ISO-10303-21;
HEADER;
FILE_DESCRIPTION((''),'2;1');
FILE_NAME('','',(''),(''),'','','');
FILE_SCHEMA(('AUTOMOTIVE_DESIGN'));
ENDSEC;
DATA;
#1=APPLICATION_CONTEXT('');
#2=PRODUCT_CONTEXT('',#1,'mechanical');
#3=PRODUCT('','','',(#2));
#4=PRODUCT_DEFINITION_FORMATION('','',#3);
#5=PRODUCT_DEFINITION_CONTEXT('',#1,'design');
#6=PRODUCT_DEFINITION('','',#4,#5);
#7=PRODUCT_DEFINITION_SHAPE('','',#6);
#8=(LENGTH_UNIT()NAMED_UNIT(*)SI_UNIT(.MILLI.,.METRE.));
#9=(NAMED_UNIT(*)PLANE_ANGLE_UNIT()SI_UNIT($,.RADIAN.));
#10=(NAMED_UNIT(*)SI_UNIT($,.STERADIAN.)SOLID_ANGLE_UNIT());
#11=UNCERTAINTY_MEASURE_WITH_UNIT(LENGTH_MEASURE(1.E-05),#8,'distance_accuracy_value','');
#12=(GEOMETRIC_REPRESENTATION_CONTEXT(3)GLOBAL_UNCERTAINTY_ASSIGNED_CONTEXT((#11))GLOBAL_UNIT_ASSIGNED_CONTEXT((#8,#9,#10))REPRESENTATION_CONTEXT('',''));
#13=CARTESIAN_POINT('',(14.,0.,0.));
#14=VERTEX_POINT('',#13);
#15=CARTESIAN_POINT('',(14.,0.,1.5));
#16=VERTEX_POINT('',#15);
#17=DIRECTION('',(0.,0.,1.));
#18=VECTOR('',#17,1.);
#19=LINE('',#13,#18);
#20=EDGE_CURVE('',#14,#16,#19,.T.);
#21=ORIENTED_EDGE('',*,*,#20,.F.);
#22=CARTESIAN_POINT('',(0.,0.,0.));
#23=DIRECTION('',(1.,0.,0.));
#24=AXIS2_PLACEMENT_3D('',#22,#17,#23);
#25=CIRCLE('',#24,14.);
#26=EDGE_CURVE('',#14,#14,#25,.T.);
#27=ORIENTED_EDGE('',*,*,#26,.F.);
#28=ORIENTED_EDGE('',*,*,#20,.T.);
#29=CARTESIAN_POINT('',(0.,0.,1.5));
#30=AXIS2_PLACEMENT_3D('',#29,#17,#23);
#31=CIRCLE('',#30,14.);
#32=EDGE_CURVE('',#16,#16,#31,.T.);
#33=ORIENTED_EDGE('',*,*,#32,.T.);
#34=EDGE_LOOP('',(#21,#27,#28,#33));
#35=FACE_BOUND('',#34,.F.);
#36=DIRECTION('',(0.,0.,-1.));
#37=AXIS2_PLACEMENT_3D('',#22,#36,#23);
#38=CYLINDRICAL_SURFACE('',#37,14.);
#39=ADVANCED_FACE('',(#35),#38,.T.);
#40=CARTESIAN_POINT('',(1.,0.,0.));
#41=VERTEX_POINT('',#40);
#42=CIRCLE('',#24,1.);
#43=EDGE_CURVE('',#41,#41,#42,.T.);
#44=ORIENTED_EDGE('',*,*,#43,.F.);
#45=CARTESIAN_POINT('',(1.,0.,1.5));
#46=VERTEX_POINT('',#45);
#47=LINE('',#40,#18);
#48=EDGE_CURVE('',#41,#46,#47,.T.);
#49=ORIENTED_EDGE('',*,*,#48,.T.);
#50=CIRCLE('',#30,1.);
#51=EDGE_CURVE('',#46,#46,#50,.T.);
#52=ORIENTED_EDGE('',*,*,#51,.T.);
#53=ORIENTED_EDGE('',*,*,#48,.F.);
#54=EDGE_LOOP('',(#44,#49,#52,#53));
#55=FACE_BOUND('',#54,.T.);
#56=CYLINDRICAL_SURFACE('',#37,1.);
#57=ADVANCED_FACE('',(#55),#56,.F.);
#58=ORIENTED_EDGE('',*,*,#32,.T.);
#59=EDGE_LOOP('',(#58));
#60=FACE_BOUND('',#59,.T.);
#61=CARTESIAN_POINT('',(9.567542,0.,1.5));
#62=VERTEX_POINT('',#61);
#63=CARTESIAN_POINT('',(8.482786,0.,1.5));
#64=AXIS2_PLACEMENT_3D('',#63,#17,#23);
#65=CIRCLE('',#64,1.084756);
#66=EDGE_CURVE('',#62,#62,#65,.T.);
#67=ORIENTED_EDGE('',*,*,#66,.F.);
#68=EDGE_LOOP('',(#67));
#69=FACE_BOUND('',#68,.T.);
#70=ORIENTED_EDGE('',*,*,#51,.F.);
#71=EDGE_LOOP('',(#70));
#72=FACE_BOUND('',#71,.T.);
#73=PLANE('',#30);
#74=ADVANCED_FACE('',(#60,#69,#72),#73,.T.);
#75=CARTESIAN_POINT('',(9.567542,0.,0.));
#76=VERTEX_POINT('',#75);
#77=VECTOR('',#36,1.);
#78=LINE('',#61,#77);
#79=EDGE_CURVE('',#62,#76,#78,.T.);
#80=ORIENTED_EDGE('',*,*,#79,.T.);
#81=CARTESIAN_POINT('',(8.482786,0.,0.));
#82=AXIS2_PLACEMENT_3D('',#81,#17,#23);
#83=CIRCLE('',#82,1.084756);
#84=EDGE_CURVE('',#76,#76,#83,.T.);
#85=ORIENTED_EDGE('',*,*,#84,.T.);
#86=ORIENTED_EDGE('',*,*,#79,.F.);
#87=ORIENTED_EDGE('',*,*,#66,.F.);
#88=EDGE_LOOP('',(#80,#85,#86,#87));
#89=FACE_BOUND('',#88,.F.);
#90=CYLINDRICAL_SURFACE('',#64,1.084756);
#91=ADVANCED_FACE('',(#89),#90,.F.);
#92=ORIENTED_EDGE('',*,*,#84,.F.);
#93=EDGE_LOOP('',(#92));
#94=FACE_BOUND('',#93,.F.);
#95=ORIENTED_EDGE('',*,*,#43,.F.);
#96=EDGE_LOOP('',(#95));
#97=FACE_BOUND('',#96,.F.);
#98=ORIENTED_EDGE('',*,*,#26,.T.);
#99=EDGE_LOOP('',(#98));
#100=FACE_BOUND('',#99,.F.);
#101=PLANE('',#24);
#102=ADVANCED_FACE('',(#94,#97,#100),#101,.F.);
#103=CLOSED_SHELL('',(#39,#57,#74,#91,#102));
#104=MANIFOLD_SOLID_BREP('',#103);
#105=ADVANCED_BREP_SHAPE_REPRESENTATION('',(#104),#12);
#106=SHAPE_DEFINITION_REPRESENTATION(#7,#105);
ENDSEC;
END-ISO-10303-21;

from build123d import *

# Parameters (mm, degrees)
F0_R     = 14
F0_R_2   = 1
F1_DEPTH = 1.5
F2_R     = 1.084756
F3_DEPTH = 1.5


with BuildPart() as f1:
    # F0 (on Top) → F1 (new body)
    with BuildSketch(Plane.XY):
        Circle(F0_R)
        Circle(F0_R_2, mode=Mode.SUBTRACT)
    extrude(amount=F1_DEPTH)

    # F2 (on face) → F3 (cut, through all)
    with BuildSketch(Plane.XY.offset(1.5)):
        with Locations((8.482786, 0)):
            Circle(F2_R)
    extrude(amount=-F3_DEPTH, mode=Mode.SUBTRACT)


solid = f1.part
